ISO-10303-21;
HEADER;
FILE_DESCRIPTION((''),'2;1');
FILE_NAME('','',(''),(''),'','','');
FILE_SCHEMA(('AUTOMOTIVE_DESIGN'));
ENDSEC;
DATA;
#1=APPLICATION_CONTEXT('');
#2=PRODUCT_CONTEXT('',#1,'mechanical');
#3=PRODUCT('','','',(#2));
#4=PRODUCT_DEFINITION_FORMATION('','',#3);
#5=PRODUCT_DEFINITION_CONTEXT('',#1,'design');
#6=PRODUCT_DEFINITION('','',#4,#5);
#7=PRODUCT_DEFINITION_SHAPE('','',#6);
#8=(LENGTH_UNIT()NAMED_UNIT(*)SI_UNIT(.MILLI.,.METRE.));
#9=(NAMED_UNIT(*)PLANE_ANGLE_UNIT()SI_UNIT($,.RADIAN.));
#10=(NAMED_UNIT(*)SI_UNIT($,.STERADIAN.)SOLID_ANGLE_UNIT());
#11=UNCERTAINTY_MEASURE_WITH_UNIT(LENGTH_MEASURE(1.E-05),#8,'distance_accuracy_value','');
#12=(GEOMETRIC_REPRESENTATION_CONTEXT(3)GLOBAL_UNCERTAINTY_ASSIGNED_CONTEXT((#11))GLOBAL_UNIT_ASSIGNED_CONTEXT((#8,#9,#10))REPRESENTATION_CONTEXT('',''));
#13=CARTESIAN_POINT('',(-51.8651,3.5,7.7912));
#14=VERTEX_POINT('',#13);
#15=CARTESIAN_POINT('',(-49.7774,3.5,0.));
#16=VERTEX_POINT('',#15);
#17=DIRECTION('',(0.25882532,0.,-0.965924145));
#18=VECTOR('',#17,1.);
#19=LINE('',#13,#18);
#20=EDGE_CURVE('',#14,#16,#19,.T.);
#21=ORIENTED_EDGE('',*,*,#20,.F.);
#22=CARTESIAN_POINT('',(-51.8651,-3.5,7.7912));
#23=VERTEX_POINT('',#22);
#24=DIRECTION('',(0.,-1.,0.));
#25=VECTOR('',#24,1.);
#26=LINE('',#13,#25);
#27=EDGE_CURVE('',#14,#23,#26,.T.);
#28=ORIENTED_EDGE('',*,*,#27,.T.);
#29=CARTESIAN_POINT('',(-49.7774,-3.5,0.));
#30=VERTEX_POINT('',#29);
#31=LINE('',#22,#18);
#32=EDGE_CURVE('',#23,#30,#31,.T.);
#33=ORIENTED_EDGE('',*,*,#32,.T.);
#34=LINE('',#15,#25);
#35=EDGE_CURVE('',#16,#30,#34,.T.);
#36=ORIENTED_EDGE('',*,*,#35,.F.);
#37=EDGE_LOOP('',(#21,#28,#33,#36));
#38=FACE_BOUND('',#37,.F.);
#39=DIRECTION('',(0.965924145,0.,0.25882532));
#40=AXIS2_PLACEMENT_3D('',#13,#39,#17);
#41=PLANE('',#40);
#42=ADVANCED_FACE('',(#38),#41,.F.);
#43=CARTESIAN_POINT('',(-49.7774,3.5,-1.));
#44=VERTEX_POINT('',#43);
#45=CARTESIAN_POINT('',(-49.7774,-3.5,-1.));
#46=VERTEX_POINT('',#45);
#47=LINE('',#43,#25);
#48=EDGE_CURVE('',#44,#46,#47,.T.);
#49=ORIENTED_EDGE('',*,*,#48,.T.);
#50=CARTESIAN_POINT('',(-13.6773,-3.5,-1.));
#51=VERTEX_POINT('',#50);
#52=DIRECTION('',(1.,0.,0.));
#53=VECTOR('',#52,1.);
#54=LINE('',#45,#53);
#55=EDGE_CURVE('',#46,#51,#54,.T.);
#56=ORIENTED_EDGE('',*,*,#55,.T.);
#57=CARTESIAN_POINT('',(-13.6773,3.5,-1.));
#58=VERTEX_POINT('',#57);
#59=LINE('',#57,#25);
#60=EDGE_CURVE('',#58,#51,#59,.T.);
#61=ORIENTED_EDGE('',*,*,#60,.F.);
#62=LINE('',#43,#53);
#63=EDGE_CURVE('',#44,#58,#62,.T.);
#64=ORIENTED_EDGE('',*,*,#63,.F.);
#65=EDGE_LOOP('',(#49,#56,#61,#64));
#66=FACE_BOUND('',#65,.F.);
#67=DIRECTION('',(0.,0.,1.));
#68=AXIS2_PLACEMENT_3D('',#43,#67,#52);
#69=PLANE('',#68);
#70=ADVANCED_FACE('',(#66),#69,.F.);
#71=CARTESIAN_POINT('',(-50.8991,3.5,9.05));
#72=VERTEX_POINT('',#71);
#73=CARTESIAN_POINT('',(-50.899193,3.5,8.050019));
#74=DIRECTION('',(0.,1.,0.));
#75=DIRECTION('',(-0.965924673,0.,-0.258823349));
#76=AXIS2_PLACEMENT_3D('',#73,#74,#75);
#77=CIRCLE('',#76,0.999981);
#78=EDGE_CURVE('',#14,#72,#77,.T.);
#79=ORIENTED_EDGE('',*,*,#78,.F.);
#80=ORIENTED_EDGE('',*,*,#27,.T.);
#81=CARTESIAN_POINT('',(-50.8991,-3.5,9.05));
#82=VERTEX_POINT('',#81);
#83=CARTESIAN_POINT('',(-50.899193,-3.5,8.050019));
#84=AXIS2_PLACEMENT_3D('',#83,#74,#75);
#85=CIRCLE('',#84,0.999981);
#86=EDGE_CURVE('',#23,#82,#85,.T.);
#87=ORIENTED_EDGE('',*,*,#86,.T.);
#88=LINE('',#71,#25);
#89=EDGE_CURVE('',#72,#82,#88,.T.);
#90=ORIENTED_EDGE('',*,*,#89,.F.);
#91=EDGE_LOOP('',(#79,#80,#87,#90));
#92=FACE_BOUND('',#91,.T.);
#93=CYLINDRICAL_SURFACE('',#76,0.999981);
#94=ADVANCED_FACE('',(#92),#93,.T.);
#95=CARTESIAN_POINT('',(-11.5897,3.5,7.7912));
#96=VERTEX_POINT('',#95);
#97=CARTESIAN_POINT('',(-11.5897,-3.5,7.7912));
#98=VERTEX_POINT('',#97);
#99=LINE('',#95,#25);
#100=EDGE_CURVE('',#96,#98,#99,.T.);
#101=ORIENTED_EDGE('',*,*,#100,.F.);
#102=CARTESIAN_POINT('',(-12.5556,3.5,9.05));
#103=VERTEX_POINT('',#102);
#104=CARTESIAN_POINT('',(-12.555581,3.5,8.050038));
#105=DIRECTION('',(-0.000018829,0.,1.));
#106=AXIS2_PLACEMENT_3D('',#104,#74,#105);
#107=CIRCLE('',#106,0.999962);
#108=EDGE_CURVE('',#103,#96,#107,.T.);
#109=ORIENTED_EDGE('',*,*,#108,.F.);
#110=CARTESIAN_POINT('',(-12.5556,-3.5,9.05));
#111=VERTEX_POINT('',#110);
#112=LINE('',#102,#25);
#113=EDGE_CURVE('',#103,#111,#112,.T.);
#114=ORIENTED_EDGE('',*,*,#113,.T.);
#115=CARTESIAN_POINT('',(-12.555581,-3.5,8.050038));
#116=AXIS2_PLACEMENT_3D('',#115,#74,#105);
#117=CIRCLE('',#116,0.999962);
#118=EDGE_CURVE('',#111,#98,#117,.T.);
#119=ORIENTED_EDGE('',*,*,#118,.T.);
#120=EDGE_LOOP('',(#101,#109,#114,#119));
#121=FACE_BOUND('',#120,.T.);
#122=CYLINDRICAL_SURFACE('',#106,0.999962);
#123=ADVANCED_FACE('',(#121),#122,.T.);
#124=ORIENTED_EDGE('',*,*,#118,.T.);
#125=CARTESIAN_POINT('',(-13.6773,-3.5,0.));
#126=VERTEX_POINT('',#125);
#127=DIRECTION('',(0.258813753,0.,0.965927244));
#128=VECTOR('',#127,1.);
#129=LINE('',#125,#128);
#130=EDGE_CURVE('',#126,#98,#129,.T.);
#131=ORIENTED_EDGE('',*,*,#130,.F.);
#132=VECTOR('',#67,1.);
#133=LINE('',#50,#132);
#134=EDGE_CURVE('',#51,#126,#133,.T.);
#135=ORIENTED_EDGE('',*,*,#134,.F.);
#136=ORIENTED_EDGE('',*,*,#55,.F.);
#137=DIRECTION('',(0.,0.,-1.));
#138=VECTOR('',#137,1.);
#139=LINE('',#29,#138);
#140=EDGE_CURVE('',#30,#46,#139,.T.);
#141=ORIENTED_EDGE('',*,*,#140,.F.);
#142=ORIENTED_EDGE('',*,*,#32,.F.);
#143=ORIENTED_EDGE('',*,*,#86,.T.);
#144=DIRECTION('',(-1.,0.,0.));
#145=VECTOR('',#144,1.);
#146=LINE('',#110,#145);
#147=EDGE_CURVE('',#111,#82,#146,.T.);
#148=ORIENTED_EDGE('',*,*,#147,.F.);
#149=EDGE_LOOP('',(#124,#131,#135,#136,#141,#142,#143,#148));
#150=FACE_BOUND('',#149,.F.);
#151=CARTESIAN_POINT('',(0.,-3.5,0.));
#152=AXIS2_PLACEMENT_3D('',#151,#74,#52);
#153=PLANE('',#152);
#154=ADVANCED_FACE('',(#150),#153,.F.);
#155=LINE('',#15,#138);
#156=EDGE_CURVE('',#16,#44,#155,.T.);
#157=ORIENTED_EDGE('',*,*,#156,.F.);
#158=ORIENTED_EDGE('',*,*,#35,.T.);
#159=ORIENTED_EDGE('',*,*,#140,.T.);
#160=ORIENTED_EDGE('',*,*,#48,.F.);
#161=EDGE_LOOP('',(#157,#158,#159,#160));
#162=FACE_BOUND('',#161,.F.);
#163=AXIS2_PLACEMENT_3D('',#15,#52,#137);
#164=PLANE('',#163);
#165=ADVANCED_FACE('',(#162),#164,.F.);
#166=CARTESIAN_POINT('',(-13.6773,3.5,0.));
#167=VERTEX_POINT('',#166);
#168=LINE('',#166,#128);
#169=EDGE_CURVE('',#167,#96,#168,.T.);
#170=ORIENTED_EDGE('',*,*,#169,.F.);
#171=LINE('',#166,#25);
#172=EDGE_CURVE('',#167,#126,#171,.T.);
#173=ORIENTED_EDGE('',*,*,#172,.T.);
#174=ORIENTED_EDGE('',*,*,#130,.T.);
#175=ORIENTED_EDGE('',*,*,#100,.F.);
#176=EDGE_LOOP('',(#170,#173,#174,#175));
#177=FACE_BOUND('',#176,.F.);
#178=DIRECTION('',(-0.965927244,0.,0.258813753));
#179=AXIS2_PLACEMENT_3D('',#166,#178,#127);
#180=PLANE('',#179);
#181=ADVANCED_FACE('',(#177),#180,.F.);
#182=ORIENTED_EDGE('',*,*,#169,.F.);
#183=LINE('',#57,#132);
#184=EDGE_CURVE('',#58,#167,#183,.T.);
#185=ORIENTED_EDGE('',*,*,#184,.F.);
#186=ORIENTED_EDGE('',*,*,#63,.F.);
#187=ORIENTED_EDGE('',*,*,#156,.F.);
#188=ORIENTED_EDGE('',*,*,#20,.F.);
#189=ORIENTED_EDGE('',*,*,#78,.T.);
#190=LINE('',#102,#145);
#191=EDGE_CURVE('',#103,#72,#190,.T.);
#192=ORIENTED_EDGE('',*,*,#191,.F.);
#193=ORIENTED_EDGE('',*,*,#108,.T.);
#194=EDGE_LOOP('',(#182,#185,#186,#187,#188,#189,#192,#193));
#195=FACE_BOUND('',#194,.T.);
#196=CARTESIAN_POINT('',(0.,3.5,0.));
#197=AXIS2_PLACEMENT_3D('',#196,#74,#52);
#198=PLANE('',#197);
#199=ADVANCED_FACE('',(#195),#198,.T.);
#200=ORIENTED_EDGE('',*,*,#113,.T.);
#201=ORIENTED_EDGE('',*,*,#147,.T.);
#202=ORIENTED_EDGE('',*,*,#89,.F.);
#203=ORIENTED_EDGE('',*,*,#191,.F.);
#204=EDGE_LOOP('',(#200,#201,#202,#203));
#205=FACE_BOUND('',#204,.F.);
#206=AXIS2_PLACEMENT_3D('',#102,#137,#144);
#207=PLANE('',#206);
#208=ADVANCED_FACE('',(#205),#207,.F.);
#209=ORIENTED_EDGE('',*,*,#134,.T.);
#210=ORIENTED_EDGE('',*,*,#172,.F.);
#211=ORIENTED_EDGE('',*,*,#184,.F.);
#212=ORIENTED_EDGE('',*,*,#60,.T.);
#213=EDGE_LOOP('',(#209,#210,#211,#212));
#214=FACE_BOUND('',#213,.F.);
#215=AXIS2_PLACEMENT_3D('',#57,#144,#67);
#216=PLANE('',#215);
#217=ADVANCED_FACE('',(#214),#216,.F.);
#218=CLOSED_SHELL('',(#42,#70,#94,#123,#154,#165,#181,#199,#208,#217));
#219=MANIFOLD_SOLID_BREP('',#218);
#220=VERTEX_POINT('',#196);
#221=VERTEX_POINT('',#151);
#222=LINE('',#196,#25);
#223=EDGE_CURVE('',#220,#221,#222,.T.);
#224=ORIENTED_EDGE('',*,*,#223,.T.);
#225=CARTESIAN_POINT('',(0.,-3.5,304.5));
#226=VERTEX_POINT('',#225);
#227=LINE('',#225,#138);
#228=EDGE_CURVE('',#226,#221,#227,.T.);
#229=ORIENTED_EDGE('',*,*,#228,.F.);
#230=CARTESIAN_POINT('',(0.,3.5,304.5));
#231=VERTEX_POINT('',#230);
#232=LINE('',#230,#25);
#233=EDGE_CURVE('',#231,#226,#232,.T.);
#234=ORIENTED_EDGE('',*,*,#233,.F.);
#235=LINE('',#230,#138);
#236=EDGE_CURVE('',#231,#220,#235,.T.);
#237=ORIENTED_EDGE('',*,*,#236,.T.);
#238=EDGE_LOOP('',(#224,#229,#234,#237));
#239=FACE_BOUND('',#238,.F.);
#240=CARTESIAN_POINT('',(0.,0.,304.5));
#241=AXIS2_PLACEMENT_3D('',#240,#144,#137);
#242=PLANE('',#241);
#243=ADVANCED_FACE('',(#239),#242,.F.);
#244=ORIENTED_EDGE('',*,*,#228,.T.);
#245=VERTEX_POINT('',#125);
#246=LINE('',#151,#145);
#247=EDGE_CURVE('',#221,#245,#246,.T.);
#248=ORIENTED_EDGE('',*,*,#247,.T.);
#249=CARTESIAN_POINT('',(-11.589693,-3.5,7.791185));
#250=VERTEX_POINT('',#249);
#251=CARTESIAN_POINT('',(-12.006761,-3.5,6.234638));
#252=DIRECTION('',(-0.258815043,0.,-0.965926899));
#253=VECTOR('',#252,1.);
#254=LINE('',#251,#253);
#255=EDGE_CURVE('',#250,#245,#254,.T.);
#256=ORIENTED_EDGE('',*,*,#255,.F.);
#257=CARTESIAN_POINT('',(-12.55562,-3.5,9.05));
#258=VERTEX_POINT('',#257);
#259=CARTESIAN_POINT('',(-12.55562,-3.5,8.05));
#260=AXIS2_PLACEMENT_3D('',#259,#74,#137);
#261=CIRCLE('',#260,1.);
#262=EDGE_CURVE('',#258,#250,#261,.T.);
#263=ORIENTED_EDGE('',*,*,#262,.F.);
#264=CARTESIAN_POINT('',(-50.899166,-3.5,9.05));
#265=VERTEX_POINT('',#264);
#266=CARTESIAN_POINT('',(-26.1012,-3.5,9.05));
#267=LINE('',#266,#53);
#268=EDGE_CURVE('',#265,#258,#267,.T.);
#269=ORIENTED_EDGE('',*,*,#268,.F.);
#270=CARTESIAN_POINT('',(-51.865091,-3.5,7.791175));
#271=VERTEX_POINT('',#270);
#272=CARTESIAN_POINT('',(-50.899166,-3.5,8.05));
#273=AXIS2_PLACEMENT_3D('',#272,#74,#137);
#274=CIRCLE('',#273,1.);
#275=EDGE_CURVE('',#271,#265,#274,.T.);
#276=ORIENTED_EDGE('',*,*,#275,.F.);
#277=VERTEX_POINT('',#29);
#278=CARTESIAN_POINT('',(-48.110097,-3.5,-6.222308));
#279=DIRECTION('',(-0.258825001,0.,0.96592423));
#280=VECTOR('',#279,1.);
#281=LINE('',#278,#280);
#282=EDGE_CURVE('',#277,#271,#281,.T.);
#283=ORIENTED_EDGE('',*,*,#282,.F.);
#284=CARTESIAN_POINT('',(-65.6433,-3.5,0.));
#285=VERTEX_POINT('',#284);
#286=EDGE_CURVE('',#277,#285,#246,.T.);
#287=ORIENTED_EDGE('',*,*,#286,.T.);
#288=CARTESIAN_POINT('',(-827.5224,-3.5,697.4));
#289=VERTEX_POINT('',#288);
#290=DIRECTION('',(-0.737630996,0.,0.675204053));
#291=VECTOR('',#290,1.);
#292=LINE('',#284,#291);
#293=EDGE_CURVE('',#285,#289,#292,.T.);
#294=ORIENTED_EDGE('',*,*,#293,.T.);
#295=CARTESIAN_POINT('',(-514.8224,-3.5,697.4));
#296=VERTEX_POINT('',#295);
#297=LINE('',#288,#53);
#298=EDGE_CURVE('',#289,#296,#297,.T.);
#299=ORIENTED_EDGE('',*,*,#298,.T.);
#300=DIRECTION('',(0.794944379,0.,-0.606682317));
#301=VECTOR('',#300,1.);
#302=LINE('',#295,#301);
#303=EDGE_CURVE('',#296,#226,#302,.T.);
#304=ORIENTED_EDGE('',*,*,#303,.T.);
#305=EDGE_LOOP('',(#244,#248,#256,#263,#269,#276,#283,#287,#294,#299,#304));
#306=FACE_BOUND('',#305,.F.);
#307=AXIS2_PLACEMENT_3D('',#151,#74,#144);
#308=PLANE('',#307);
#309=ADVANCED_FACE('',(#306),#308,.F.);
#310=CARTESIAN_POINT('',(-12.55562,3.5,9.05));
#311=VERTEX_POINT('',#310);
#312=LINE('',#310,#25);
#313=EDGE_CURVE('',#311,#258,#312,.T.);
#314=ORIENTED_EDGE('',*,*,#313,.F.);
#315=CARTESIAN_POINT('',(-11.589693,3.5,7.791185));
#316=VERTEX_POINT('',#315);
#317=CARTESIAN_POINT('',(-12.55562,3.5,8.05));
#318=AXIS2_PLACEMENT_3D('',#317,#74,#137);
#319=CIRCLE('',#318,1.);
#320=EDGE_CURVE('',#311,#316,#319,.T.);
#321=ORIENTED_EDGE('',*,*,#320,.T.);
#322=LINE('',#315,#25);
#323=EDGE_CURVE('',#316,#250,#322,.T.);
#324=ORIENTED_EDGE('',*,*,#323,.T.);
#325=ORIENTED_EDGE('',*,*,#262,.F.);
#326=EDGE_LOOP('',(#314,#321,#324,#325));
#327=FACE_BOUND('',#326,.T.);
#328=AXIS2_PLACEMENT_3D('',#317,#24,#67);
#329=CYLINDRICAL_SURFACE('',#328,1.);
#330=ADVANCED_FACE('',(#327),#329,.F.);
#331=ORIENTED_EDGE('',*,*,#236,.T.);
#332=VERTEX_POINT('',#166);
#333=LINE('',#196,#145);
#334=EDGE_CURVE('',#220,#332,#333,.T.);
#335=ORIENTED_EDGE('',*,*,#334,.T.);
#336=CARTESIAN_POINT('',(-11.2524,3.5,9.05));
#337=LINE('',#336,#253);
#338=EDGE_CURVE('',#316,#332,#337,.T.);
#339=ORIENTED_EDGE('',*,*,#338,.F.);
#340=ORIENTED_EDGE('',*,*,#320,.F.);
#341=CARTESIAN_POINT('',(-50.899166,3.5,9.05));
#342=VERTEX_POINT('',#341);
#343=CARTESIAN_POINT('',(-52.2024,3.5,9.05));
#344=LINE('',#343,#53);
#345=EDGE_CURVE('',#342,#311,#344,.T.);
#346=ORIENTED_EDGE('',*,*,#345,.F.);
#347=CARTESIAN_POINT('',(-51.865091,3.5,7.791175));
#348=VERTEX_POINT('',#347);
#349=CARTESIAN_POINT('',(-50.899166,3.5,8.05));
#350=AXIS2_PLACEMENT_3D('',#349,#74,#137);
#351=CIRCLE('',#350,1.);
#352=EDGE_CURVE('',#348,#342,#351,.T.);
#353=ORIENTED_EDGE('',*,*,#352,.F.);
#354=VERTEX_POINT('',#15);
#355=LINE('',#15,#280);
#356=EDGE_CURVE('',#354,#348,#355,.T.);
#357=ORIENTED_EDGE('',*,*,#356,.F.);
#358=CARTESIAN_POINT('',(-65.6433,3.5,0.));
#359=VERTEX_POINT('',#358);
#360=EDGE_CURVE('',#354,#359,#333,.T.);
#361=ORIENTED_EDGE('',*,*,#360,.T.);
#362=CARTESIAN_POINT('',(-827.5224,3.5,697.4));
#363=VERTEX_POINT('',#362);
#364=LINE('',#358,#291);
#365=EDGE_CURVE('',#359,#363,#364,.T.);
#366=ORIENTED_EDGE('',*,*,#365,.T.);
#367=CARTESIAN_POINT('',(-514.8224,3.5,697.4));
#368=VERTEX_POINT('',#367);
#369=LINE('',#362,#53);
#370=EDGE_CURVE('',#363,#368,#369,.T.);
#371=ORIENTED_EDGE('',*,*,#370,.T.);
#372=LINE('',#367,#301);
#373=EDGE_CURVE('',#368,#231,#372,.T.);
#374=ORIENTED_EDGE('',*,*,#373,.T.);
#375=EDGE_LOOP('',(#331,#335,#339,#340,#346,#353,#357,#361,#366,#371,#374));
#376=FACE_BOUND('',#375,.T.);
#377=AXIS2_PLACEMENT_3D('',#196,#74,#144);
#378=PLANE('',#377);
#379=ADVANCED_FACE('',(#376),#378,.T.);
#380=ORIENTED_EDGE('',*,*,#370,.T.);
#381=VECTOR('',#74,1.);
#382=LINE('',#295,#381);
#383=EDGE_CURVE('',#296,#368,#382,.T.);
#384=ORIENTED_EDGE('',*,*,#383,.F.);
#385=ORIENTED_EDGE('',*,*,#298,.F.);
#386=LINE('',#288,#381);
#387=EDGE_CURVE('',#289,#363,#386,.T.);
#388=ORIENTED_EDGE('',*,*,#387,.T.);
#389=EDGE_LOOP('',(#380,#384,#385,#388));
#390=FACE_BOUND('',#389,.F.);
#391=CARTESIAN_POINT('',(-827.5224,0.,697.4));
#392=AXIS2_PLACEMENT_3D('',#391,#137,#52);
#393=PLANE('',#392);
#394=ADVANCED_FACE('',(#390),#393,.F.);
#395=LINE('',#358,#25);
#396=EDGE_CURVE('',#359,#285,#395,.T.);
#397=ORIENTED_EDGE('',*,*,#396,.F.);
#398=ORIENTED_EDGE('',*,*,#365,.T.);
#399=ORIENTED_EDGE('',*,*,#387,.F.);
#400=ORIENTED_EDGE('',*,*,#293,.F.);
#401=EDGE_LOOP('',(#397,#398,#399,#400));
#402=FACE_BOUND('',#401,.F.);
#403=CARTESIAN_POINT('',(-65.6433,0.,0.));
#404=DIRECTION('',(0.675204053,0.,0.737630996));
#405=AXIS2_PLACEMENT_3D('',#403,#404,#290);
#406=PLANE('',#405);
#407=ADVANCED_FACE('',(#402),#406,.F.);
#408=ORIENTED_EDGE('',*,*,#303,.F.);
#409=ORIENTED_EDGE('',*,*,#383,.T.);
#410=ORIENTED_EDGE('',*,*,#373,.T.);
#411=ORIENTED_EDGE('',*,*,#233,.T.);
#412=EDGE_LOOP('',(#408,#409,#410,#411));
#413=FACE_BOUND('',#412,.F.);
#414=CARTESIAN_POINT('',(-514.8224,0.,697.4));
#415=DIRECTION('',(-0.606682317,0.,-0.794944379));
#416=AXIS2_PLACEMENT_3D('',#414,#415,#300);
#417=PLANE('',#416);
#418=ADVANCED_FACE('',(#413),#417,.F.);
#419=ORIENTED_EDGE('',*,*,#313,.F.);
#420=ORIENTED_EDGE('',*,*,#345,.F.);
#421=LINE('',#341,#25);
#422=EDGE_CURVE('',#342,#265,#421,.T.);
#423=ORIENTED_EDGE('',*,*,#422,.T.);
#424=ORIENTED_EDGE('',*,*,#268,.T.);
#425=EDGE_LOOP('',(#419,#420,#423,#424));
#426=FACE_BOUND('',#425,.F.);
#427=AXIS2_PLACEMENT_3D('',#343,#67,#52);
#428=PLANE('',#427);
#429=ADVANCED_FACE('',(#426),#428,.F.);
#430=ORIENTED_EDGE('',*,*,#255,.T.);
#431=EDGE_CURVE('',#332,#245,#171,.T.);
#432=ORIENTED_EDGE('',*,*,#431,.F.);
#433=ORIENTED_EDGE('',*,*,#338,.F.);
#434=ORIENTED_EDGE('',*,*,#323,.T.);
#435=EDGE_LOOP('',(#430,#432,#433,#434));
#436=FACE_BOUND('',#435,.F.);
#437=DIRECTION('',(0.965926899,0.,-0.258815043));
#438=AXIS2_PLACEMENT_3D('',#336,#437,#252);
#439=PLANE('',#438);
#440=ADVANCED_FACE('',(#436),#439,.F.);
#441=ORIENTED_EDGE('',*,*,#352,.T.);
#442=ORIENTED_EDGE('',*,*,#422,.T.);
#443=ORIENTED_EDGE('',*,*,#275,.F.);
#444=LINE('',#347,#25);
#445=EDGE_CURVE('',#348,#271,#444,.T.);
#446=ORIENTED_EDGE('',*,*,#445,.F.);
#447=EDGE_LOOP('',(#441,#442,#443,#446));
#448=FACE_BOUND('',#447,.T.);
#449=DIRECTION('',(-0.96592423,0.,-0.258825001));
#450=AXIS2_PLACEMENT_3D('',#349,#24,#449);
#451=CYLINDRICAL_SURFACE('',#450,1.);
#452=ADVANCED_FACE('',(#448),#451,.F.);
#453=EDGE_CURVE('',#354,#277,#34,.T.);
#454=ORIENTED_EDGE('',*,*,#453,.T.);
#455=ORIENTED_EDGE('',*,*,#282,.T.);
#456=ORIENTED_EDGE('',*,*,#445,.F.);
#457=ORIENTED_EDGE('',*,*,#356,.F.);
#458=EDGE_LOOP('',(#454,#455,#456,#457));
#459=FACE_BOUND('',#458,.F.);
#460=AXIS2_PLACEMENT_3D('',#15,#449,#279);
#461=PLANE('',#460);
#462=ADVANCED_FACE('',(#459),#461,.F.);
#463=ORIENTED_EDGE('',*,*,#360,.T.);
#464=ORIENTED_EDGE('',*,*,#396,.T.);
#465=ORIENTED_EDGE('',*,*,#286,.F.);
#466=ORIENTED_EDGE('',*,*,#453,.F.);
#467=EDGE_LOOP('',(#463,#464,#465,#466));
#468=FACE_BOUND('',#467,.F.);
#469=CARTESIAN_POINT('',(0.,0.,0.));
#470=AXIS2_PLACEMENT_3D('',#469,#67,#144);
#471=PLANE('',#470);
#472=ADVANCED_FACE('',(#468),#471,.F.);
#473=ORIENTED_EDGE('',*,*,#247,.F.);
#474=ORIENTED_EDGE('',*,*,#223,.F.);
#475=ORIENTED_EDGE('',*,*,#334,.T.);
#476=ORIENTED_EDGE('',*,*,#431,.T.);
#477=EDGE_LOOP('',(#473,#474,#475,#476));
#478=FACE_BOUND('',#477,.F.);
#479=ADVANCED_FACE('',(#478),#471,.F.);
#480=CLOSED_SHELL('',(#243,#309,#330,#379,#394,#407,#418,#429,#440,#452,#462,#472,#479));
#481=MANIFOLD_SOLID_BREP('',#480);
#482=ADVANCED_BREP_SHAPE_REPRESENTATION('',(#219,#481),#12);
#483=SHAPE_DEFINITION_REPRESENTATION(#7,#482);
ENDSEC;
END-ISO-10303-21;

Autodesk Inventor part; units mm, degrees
ref_plane "YZ Plane" through (0, 0, 0) normal (1, 0, 0) x (0, 1, 0)
ref_plane "XZ Plane" through (0, 0, 0) normal (0, 1, 0) x (-1, 0, 0)
ref_plane "XY Plane" through (0, 0, 0) normal (0, 0, 1) x (1, 0, 0)
sketch "Sketch1" plane through (0, 0, 0) normal (0, 1, 0) x (-1, 0, 0)
  line L0 (827.5224, 697.4) -> (514.8224, 697.4)
  line L1 (514.8224, 697.4) -> (0, 304.5)
  line L2 (0, 0) -> (65.6433, 0)
  line L3 (65.6433, 0) -> (827.5224, 697.4)
  line L4 (827.5224, 697.4) -> (827.5224, 0) construction
  line L5 (0, 304.5) -> (0, 691.3725) construction
  line L6 (0, 304.5) -> (0, 0)
  dimension "d0" = 312.7
  dimension "d2" = 697.4
  dimension "d4" = 52.65
  dimension "d5" = 47.53
  dimension "d8" = 304.5
extrude "Extrusion1" add sketch "Sketch1" along normal mid plane 7
sketch "Sketch2" plane through (0, 3.5, 0) normal (0, 1, 0) x (1, 0, 0)
  line L0 (-827.5224, -697.4) -> (-514.8224, -697.4) projected
  line L1 (-514.8224, -697.4) -> (0, -304.5) projected
  line L2 (0, 0) -> (-65.6433, 0) projected
  line L3 (-65.6433, 0) -> (-827.5224, -697.4) projected
  line L4 (0, 0) -> (-65.6433, 0) projected
  line L5 (-49.7774, 0) -> (-52.2024, -9.05)
  line L6 (-52.2024, -9.05) -> (-11.2524, -9.05)
  line L7 (-11.2524, -9.05) -> (-13.6773, 0)
  line L8 (-22.2224, -9.05) -> (-22.2224, 0) construction
  line L9 (-49.7774, 0) -> (-13.6773, 0)
  line L10 (0, -304.5) -> (0, 0) projected
  dimension "d9" = 75
  dimension "d10" = 75
  dimension "d11" = 9.05
  dimension "d12" = 10.97
  dimension "d13" = 805.3
  dimension "d14" = 40.95
extrude "Extrusion2" cut sketch "Sketch2" against normal through all contours L2 L7 L6 L5
fillet "Fillet1" radius 1 2 edges at (-11.2524, 0, 9.05) (-52.2024, 0, 9.05)
sketch "Sketch3" plane through (0, 3.5, 0) normal (0, 1, 0) x (1, 0, 0)
  line L0 (-51.8651, -7.7912) -> (-49.7774, 0) projected
  arc A0 (-51.8651, -7.7912) -> (-50.8991, -9.05) centre (-50.8991, -8.05) ccw projected
  line L1 (-12.5556, -9.05) -> (-50.8991, -9.05) projected
  arc A1 (-12.5556, -9.05) -> (-11.5897, -7.7912) centre (-12.5556, -8.05) ccw projected
  line L2 (-13.6773, 0) -> (-11.5897, -7.7912) projected
  line L3 (-49.7774, 0) -> (-65.6433, 0) projected
  line L4 (-49.7774, 0) -> (-49.7774, 1)
  line L5 (-49.7774, 1) -> (-13.6773, 1)
  line L6 (-11.5897, -7.7912) -> (-13.6773, 0) projected
  line L7 (-13.6773, 1) -> (-13.6773, 0)
  point P0 (0, 0)
  dimension "d18" = 1
extrude "Extrusion3" add sketch "Sketch3" against normal up to surface (7 mm away) separate body
equation "\"d0\" = botWidth"
equation "\"d2\" = height"
equation "\"d4\" = rightAngle"
equation "\"d5\" = leftAngle"
equation "\"d8\" = sideFlat"
equation "\"d13\" = dovetailDistance"
equation "\"height\" = 697.4"
equation "\"botWidth\" = 312.7"
equation "\"leftAngle\" = 47.53deg"
equation "\"rightAngle\" = 52.65deg"
equation "\"sideFlat\" = 304.5"
equation "\"dovetailDistance\" = 805.3"
properties part number "OuterHCALtile12" material "ABS Plastic"
